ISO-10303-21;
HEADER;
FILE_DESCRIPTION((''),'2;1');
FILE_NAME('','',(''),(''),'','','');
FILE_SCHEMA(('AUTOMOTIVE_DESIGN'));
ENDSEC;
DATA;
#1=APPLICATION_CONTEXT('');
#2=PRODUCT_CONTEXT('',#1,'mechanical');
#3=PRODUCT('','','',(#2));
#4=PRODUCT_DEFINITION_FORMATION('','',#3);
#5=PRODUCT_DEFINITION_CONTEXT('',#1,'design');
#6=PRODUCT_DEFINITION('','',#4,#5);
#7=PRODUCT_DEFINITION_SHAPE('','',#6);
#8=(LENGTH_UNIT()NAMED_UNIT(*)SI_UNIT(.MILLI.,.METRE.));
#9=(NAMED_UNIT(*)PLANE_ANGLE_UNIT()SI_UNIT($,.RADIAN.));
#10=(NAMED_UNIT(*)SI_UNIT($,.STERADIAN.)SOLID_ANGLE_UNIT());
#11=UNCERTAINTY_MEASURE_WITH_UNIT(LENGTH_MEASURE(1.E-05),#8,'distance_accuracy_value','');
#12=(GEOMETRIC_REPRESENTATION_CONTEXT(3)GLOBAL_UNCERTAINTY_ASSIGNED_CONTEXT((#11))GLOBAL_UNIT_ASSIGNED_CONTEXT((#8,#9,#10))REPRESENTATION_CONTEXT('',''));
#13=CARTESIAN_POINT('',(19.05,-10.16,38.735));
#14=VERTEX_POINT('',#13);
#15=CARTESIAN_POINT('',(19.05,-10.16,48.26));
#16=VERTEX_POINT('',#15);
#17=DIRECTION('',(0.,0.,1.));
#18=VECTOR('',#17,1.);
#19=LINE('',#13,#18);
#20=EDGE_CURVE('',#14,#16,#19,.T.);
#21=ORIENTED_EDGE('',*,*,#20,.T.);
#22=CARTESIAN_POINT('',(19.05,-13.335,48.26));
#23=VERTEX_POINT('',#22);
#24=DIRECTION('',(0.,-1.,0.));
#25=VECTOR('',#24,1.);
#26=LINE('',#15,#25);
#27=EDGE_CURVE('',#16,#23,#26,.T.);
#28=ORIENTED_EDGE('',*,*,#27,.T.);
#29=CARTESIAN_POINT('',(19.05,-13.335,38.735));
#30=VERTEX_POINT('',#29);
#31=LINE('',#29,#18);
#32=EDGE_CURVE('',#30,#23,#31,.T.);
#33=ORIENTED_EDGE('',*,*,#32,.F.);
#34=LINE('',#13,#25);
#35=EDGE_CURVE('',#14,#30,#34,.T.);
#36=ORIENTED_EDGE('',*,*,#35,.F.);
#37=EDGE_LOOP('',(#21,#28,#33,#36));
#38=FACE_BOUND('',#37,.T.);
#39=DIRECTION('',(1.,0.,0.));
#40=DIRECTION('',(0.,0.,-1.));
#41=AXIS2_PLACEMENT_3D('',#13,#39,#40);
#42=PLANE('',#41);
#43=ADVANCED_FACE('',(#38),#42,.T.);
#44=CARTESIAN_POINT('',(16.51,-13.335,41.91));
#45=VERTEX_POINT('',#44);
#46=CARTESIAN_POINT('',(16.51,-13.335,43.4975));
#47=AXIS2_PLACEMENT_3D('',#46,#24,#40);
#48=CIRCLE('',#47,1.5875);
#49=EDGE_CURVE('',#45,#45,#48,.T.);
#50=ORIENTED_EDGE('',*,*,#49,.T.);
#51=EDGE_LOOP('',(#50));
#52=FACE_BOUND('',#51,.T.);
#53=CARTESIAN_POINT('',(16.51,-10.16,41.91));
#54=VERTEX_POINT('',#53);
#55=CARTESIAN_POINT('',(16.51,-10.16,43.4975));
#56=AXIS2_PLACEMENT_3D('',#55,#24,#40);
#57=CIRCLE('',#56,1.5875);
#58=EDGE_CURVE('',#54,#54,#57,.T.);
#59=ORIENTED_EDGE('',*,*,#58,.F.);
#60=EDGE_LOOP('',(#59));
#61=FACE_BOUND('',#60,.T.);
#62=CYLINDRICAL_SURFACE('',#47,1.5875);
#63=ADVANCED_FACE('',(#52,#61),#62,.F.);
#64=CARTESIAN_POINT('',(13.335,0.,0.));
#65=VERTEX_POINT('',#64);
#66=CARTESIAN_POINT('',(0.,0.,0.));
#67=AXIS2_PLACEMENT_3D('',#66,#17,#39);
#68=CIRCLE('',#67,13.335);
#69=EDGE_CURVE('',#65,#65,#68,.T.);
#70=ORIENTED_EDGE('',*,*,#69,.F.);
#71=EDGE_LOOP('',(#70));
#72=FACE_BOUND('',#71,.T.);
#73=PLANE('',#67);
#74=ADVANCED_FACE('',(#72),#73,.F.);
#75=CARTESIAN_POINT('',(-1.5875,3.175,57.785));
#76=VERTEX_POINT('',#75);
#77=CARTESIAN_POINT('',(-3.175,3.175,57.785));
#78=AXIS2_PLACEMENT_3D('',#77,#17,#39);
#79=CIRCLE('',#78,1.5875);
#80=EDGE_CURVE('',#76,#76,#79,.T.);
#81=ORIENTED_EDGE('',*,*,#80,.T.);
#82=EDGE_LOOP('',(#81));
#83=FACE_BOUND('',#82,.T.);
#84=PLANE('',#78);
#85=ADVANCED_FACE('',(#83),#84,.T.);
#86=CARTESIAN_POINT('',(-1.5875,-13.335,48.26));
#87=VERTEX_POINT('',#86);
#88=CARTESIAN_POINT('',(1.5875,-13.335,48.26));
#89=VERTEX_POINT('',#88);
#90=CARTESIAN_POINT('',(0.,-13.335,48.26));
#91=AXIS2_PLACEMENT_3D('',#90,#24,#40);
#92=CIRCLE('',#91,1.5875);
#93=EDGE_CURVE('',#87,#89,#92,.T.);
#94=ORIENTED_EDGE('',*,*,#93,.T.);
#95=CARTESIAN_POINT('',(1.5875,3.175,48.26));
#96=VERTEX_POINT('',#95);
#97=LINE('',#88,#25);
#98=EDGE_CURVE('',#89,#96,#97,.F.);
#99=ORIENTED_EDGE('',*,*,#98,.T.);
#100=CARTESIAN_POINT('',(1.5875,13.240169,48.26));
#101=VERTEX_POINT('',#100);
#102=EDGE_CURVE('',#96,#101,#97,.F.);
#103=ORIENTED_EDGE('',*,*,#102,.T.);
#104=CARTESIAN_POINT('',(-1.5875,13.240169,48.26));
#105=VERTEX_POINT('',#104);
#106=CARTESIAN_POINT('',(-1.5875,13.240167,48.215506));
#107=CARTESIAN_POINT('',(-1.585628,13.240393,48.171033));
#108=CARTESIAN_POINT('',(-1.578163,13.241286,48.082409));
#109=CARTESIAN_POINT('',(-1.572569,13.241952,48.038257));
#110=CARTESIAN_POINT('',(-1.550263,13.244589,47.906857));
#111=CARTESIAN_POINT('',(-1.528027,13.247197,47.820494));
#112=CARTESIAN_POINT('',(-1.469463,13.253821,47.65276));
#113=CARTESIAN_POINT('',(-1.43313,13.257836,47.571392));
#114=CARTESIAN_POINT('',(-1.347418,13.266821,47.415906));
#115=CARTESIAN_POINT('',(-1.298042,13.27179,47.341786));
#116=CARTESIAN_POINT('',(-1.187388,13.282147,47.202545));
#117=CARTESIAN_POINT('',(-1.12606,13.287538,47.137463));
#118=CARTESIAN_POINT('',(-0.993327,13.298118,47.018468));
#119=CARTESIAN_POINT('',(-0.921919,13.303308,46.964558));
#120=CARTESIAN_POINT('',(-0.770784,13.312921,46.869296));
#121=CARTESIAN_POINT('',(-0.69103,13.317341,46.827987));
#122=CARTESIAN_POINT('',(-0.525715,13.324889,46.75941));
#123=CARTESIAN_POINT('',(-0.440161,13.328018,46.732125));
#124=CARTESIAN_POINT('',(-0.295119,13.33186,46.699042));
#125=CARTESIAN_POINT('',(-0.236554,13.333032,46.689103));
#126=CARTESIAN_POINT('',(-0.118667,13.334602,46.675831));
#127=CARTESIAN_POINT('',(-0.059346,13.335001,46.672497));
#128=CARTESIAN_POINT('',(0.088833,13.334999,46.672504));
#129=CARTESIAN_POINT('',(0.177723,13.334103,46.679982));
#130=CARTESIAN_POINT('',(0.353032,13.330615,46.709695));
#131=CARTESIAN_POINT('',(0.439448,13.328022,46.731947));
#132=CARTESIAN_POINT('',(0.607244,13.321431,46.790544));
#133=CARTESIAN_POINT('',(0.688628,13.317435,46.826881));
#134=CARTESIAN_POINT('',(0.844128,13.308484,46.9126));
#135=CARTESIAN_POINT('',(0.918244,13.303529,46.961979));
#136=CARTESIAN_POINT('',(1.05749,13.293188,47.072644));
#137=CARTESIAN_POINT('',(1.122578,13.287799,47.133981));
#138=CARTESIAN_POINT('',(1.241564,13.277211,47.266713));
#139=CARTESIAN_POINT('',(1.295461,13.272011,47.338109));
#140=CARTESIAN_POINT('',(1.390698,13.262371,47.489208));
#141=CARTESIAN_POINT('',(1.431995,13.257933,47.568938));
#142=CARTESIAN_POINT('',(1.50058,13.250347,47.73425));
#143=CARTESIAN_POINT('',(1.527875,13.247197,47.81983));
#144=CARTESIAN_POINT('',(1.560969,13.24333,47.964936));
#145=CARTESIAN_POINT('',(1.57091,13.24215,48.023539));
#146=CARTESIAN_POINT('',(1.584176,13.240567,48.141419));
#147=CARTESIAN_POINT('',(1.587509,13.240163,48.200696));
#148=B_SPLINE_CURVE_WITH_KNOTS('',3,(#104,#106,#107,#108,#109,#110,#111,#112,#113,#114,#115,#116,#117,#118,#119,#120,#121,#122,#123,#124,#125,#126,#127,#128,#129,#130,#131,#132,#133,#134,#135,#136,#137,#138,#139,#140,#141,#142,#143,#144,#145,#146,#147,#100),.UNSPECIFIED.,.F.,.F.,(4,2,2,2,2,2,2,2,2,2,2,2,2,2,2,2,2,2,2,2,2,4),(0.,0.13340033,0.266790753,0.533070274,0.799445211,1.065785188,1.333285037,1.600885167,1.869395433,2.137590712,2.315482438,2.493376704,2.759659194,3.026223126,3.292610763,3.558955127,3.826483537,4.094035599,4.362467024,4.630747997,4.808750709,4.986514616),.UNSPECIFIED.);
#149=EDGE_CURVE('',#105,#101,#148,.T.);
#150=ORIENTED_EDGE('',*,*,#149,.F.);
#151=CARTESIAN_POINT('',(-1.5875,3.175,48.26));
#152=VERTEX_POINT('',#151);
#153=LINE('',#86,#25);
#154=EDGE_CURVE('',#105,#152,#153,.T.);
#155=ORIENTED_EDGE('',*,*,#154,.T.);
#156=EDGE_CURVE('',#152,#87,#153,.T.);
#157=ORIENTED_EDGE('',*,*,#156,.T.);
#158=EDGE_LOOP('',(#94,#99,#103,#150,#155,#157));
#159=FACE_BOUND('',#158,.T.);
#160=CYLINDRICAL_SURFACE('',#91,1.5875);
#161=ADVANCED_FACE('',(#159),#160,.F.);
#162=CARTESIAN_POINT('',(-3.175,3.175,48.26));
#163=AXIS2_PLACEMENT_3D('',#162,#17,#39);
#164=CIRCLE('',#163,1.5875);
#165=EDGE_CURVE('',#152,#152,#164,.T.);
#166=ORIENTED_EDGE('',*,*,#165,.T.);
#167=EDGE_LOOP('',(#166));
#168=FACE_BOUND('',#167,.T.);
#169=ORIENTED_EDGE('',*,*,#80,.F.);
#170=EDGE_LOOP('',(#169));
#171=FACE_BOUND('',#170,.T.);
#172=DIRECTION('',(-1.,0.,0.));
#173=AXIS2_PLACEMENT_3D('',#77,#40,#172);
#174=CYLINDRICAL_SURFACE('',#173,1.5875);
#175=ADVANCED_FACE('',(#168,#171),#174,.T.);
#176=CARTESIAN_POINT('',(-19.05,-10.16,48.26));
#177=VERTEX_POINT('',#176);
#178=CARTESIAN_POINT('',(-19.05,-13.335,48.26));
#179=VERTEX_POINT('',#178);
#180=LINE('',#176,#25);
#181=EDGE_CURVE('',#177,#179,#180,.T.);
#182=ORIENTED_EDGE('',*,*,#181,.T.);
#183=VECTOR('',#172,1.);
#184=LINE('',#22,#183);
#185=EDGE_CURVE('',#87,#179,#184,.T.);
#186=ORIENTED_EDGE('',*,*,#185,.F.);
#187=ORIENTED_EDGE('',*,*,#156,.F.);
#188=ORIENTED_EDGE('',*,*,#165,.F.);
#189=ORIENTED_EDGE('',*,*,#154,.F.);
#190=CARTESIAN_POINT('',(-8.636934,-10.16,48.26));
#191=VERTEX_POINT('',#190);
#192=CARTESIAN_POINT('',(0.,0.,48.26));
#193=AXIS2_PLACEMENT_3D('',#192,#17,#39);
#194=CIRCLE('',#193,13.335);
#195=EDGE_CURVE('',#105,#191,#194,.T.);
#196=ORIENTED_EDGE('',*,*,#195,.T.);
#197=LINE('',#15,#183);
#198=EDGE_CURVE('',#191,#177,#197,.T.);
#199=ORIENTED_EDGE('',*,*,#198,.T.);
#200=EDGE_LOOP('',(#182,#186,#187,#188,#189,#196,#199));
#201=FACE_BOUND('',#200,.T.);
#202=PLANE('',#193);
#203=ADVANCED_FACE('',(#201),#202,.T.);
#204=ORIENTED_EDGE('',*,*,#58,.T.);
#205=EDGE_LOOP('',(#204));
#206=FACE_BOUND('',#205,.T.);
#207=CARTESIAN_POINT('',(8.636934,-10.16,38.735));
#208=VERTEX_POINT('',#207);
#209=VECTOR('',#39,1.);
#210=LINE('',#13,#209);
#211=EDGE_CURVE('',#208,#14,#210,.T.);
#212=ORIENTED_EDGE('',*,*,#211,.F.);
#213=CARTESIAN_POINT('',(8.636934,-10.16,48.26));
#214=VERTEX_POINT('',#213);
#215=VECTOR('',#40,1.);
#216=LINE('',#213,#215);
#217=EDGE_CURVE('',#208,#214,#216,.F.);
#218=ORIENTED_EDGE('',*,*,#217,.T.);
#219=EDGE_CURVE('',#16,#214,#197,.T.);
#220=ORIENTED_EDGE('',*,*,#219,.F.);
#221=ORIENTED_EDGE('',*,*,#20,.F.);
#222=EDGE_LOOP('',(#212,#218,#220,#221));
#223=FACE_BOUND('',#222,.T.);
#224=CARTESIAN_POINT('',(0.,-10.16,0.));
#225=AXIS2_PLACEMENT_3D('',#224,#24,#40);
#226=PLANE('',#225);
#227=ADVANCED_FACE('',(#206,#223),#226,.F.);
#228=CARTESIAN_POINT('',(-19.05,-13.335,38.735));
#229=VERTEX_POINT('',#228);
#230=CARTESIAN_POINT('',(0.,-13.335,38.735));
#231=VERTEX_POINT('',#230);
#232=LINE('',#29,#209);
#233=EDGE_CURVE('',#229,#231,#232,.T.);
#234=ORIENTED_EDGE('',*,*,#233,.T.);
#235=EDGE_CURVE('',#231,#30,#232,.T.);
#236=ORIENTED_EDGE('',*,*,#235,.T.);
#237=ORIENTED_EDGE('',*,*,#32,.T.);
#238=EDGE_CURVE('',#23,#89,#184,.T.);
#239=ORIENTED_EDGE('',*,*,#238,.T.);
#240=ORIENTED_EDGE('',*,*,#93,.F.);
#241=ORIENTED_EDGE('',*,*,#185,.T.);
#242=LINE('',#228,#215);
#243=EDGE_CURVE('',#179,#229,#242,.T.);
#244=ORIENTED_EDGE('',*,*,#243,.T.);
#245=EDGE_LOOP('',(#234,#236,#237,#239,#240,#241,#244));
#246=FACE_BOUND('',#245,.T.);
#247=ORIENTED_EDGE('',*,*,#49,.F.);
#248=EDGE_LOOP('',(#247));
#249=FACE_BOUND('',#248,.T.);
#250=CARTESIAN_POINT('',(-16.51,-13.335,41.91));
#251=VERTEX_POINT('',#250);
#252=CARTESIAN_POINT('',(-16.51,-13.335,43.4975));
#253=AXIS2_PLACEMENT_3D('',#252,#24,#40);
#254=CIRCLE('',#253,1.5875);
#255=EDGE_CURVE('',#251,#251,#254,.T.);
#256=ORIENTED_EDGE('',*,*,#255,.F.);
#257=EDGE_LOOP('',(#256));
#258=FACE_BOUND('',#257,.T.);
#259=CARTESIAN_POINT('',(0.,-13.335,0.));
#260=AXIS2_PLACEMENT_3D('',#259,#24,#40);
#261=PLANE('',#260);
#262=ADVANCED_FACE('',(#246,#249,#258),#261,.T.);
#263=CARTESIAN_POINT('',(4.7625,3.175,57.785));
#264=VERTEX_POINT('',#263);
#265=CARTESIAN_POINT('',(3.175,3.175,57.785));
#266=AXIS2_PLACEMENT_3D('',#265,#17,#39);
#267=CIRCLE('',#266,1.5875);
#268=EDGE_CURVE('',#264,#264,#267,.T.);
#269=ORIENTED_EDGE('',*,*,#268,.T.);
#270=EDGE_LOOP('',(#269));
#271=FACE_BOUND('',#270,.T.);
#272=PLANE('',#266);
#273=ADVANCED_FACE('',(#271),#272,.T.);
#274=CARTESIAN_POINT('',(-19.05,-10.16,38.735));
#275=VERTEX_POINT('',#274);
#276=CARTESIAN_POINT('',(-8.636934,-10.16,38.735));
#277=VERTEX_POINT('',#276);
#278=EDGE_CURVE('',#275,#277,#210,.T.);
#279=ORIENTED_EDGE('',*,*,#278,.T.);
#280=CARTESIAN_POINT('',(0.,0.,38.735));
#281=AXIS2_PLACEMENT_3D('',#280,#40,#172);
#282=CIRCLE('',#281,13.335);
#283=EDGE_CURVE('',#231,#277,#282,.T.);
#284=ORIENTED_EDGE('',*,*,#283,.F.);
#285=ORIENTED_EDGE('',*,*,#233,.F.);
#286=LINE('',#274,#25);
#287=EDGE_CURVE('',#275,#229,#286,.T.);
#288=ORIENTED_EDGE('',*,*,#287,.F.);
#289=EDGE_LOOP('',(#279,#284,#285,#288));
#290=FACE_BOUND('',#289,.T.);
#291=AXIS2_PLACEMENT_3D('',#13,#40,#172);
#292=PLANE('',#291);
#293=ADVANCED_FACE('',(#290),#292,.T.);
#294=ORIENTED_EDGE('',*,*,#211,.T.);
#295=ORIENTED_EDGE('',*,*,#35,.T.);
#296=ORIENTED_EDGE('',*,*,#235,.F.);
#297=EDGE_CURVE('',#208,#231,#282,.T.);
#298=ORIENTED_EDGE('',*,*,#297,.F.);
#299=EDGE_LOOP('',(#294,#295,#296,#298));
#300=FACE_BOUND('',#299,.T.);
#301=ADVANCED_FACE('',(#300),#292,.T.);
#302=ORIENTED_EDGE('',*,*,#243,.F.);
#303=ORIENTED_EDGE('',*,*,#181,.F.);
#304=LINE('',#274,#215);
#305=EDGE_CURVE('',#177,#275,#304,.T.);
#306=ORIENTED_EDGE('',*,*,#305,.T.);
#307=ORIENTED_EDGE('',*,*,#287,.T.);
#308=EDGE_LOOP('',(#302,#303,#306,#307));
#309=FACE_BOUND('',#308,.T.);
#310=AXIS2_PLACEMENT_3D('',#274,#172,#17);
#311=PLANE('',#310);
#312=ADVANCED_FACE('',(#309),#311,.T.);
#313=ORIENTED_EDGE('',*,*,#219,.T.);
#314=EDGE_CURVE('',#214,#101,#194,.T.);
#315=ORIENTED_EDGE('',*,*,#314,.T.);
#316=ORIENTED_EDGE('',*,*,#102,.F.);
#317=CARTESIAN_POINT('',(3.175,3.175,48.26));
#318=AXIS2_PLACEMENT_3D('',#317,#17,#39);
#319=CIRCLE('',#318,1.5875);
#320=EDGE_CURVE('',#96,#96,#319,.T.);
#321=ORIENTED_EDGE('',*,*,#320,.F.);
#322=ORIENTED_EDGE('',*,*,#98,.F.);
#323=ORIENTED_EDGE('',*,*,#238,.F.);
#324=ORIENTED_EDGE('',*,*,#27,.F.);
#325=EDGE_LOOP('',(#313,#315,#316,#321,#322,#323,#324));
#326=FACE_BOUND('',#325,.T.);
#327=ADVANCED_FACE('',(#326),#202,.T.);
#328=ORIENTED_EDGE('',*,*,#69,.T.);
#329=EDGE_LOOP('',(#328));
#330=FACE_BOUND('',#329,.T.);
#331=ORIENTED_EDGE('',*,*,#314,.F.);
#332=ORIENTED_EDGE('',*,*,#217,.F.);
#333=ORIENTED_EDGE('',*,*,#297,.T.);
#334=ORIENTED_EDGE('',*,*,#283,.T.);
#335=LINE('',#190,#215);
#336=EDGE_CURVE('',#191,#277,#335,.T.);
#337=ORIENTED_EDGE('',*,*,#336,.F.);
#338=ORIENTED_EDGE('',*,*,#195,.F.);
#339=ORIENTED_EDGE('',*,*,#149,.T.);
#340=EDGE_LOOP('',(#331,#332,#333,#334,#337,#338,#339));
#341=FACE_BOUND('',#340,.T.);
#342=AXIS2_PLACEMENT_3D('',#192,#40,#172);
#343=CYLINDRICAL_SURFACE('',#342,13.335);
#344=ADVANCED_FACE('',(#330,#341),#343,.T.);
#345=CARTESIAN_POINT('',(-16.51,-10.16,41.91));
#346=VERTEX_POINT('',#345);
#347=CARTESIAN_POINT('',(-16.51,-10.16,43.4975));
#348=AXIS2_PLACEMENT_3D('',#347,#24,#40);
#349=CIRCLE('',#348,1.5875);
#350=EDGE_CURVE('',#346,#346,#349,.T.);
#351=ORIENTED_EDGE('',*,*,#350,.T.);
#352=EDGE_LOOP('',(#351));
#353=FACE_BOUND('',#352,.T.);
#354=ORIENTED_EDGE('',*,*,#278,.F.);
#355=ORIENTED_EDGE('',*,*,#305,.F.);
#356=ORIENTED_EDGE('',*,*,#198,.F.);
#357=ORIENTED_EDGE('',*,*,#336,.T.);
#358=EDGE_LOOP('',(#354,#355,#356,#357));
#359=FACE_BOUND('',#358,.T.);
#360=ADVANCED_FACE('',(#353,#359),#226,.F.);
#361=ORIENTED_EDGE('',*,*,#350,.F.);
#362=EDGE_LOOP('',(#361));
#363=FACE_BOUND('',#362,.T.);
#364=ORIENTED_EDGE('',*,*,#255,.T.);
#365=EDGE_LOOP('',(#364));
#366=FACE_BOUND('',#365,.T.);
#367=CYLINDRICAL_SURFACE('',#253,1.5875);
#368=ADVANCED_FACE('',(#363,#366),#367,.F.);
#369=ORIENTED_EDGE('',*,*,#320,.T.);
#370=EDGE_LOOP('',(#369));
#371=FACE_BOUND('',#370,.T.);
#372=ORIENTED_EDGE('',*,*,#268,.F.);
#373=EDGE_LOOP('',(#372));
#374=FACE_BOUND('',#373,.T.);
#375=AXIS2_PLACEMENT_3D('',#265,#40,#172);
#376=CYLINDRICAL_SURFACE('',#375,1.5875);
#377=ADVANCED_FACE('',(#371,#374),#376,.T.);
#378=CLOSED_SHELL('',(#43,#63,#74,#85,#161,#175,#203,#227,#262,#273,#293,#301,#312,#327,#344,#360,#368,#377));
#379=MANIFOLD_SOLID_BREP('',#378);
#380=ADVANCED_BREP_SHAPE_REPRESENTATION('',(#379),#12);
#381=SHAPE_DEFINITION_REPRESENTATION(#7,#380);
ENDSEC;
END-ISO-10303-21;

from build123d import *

# Parameters (mm, degrees)
SKETCH1_R                    = 13.335
BOSS_EXTRUDE1_DEPTH          = 48.26
SKETCH2_W                    = 38.1
SKETCH2_H                    = 9.525
BOSS_EXTRUDE2_DEPTH          = 3.175
F_1_8_0_125_DIAMETER_HOLE1_D = 3.175
SKETCH5_R                    = 1.5875
BOSS_EXTRUDE3_DEPTH          = 9.525


with BuildPart() as part:
    # Sketch1 → Boss-Extrude1 (new body)
    with BuildSketch(Plane.XY):
        Circle(SKETCH1_R)
    extrude(amount=BOSS_EXTRUDE1_DEPTH)

    # Sketch2 → Boss-Extrude2 (add)
    with BuildSketch(Plane(origin=(0, -13.335, 0), x_dir=(-1, 0, 0), z_dir=(0, -1, 0))):
        with Locations((0, -43.4975)):
            Rectangle(SKETCH2_W, SKETCH2_H)
    extrude(amount=-BOSS_EXTRUDE2_DEPTH)

    # 1/8 (0.125) Diameter Hole1 (through all)
    with Locations(Plane(origin=(0, -13.335, 0), x_dir=(-1, 0, 0), z_dir=(0, -1, 0))):
        with Locations((-16.51, -43.4975), (16.51, -43.4975), (0, -48.26)):
            Hole(F_1_8_0_125_DIAMETER_HOLE1_D / 2)

    # Sketch5 → Boss-Extrude3 (add)
    with BuildSketch(Plane.XY.offset(48.26)):
        with Locations((-3.175, 3.175)):
            Circle(SKETCH5_R)
        with Locations((3.175, 3.175)):
            Circle(SKETCH5_R)
    extrude(amount=BOSS_EXTRUDE3_DEPTH)


solid = part.part
